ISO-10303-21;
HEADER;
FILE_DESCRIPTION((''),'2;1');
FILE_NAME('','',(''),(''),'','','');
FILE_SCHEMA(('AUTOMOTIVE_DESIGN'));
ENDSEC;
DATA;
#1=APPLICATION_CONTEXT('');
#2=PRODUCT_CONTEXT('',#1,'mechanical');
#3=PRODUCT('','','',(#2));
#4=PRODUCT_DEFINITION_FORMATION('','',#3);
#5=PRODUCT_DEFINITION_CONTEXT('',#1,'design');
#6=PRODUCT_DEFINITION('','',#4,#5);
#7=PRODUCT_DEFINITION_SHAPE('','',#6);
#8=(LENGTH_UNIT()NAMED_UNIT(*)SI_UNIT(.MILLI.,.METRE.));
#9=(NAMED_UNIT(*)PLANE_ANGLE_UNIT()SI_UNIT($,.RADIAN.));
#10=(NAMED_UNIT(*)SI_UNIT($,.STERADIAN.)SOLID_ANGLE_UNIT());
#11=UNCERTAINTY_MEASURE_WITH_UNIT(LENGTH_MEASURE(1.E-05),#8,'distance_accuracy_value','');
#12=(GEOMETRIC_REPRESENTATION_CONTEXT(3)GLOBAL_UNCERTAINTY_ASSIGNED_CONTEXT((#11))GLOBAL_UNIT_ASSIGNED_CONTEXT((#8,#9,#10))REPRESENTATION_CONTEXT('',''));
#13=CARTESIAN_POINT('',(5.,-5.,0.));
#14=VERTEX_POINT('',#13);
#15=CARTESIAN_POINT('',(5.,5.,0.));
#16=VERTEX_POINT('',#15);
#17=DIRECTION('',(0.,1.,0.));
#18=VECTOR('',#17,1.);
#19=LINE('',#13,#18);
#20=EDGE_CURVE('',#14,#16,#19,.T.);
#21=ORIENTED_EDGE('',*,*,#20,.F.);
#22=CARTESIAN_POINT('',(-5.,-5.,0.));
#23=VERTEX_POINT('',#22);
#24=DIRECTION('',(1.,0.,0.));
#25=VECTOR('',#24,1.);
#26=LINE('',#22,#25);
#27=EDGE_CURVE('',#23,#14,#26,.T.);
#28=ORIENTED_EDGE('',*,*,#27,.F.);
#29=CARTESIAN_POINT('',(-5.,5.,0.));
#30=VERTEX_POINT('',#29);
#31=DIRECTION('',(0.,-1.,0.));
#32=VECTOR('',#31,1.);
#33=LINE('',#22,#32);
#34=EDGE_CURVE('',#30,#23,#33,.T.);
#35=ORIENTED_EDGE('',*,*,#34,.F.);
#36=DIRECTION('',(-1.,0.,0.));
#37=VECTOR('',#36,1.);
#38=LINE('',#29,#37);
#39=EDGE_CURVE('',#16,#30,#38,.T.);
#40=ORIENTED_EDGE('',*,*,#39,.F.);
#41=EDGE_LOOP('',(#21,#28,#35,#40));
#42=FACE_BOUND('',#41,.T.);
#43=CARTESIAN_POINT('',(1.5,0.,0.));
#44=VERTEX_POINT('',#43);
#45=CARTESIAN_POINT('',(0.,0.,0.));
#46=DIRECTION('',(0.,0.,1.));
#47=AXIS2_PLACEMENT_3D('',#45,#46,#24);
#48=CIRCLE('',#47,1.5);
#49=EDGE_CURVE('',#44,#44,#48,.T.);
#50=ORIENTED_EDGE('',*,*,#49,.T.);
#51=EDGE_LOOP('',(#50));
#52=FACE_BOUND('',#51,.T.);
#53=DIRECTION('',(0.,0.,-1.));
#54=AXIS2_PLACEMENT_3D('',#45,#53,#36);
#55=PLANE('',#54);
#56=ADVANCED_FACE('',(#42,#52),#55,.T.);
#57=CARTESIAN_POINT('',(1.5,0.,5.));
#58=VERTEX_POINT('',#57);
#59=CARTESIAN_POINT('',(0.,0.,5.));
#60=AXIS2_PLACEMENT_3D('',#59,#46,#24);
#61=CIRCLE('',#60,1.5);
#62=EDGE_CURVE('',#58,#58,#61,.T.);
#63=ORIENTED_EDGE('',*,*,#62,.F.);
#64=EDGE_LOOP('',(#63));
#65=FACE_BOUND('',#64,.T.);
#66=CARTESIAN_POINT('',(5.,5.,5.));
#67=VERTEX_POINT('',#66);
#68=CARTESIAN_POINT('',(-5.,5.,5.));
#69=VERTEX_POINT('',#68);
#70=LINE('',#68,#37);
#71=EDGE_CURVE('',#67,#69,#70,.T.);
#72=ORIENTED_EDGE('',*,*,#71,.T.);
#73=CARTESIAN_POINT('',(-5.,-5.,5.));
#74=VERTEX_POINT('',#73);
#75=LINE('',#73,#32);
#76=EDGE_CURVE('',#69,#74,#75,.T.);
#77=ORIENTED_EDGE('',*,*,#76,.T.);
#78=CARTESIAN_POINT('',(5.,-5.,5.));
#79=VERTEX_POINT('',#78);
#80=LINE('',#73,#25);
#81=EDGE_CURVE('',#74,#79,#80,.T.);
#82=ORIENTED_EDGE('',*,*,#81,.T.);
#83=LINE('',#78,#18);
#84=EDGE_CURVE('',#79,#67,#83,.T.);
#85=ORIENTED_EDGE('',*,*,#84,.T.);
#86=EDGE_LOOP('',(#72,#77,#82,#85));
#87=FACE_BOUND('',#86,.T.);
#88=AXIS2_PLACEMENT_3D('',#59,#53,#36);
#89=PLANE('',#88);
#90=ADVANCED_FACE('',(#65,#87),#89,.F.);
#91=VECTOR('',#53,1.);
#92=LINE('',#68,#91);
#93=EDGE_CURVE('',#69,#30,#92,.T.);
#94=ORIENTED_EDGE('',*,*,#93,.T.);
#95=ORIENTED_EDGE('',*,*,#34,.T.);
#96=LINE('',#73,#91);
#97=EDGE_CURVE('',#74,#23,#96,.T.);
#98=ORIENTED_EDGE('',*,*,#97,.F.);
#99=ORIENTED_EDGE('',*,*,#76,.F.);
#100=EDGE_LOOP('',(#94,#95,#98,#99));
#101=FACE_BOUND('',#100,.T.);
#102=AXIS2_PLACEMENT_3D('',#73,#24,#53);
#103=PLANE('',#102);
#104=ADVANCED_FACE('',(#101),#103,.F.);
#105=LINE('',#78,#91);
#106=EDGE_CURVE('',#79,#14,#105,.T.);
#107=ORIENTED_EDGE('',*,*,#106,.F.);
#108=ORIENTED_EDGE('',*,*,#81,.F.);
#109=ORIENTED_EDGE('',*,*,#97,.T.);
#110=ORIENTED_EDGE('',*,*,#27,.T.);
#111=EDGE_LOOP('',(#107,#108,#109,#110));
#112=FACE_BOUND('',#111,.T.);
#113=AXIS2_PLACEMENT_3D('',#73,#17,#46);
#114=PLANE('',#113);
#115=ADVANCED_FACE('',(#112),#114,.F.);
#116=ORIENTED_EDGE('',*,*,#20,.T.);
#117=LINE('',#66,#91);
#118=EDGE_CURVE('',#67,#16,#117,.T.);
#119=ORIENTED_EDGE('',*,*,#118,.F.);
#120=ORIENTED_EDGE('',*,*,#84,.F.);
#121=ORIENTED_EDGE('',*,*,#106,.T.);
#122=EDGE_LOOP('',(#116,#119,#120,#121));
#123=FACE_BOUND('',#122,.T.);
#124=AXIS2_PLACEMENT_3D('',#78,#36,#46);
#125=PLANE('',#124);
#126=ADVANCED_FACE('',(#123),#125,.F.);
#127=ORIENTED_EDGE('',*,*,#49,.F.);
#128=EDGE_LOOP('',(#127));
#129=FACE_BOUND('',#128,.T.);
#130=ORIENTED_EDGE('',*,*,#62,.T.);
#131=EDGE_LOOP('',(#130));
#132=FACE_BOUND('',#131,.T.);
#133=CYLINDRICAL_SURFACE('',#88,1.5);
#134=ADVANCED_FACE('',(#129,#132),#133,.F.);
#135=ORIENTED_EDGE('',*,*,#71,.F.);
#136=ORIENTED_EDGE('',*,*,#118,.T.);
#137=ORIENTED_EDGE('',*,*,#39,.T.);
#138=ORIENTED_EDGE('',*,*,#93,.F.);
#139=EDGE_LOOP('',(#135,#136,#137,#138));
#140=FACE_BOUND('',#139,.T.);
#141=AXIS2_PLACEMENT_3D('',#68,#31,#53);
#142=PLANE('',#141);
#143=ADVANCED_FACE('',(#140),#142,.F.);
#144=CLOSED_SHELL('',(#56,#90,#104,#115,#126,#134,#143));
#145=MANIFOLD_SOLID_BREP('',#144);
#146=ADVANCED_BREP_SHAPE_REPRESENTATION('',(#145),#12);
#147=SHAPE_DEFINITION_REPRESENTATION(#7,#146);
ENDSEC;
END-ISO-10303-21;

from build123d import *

# Parameters (mm, degrees)
SKETCH_1_W      = 10
SKETCH_1_H      = 10
SKETCH_1_R      = 1.5
EXTRUDE_1_DEPTH = 5


with BuildPart() as part:
    # ｽｹｯﾁ1 → ﾎﾞｽ - 押し出し1 (new body)
    with BuildSketch(Plane.XY):
        Rectangle(SKETCH_1_W, SKETCH_1_H)
        Circle(SKETCH_1_R, mode=Mode.SUBTRACT)
    extrude(amount=EXTRUDE_1_DEPTH)


solid = part.part
